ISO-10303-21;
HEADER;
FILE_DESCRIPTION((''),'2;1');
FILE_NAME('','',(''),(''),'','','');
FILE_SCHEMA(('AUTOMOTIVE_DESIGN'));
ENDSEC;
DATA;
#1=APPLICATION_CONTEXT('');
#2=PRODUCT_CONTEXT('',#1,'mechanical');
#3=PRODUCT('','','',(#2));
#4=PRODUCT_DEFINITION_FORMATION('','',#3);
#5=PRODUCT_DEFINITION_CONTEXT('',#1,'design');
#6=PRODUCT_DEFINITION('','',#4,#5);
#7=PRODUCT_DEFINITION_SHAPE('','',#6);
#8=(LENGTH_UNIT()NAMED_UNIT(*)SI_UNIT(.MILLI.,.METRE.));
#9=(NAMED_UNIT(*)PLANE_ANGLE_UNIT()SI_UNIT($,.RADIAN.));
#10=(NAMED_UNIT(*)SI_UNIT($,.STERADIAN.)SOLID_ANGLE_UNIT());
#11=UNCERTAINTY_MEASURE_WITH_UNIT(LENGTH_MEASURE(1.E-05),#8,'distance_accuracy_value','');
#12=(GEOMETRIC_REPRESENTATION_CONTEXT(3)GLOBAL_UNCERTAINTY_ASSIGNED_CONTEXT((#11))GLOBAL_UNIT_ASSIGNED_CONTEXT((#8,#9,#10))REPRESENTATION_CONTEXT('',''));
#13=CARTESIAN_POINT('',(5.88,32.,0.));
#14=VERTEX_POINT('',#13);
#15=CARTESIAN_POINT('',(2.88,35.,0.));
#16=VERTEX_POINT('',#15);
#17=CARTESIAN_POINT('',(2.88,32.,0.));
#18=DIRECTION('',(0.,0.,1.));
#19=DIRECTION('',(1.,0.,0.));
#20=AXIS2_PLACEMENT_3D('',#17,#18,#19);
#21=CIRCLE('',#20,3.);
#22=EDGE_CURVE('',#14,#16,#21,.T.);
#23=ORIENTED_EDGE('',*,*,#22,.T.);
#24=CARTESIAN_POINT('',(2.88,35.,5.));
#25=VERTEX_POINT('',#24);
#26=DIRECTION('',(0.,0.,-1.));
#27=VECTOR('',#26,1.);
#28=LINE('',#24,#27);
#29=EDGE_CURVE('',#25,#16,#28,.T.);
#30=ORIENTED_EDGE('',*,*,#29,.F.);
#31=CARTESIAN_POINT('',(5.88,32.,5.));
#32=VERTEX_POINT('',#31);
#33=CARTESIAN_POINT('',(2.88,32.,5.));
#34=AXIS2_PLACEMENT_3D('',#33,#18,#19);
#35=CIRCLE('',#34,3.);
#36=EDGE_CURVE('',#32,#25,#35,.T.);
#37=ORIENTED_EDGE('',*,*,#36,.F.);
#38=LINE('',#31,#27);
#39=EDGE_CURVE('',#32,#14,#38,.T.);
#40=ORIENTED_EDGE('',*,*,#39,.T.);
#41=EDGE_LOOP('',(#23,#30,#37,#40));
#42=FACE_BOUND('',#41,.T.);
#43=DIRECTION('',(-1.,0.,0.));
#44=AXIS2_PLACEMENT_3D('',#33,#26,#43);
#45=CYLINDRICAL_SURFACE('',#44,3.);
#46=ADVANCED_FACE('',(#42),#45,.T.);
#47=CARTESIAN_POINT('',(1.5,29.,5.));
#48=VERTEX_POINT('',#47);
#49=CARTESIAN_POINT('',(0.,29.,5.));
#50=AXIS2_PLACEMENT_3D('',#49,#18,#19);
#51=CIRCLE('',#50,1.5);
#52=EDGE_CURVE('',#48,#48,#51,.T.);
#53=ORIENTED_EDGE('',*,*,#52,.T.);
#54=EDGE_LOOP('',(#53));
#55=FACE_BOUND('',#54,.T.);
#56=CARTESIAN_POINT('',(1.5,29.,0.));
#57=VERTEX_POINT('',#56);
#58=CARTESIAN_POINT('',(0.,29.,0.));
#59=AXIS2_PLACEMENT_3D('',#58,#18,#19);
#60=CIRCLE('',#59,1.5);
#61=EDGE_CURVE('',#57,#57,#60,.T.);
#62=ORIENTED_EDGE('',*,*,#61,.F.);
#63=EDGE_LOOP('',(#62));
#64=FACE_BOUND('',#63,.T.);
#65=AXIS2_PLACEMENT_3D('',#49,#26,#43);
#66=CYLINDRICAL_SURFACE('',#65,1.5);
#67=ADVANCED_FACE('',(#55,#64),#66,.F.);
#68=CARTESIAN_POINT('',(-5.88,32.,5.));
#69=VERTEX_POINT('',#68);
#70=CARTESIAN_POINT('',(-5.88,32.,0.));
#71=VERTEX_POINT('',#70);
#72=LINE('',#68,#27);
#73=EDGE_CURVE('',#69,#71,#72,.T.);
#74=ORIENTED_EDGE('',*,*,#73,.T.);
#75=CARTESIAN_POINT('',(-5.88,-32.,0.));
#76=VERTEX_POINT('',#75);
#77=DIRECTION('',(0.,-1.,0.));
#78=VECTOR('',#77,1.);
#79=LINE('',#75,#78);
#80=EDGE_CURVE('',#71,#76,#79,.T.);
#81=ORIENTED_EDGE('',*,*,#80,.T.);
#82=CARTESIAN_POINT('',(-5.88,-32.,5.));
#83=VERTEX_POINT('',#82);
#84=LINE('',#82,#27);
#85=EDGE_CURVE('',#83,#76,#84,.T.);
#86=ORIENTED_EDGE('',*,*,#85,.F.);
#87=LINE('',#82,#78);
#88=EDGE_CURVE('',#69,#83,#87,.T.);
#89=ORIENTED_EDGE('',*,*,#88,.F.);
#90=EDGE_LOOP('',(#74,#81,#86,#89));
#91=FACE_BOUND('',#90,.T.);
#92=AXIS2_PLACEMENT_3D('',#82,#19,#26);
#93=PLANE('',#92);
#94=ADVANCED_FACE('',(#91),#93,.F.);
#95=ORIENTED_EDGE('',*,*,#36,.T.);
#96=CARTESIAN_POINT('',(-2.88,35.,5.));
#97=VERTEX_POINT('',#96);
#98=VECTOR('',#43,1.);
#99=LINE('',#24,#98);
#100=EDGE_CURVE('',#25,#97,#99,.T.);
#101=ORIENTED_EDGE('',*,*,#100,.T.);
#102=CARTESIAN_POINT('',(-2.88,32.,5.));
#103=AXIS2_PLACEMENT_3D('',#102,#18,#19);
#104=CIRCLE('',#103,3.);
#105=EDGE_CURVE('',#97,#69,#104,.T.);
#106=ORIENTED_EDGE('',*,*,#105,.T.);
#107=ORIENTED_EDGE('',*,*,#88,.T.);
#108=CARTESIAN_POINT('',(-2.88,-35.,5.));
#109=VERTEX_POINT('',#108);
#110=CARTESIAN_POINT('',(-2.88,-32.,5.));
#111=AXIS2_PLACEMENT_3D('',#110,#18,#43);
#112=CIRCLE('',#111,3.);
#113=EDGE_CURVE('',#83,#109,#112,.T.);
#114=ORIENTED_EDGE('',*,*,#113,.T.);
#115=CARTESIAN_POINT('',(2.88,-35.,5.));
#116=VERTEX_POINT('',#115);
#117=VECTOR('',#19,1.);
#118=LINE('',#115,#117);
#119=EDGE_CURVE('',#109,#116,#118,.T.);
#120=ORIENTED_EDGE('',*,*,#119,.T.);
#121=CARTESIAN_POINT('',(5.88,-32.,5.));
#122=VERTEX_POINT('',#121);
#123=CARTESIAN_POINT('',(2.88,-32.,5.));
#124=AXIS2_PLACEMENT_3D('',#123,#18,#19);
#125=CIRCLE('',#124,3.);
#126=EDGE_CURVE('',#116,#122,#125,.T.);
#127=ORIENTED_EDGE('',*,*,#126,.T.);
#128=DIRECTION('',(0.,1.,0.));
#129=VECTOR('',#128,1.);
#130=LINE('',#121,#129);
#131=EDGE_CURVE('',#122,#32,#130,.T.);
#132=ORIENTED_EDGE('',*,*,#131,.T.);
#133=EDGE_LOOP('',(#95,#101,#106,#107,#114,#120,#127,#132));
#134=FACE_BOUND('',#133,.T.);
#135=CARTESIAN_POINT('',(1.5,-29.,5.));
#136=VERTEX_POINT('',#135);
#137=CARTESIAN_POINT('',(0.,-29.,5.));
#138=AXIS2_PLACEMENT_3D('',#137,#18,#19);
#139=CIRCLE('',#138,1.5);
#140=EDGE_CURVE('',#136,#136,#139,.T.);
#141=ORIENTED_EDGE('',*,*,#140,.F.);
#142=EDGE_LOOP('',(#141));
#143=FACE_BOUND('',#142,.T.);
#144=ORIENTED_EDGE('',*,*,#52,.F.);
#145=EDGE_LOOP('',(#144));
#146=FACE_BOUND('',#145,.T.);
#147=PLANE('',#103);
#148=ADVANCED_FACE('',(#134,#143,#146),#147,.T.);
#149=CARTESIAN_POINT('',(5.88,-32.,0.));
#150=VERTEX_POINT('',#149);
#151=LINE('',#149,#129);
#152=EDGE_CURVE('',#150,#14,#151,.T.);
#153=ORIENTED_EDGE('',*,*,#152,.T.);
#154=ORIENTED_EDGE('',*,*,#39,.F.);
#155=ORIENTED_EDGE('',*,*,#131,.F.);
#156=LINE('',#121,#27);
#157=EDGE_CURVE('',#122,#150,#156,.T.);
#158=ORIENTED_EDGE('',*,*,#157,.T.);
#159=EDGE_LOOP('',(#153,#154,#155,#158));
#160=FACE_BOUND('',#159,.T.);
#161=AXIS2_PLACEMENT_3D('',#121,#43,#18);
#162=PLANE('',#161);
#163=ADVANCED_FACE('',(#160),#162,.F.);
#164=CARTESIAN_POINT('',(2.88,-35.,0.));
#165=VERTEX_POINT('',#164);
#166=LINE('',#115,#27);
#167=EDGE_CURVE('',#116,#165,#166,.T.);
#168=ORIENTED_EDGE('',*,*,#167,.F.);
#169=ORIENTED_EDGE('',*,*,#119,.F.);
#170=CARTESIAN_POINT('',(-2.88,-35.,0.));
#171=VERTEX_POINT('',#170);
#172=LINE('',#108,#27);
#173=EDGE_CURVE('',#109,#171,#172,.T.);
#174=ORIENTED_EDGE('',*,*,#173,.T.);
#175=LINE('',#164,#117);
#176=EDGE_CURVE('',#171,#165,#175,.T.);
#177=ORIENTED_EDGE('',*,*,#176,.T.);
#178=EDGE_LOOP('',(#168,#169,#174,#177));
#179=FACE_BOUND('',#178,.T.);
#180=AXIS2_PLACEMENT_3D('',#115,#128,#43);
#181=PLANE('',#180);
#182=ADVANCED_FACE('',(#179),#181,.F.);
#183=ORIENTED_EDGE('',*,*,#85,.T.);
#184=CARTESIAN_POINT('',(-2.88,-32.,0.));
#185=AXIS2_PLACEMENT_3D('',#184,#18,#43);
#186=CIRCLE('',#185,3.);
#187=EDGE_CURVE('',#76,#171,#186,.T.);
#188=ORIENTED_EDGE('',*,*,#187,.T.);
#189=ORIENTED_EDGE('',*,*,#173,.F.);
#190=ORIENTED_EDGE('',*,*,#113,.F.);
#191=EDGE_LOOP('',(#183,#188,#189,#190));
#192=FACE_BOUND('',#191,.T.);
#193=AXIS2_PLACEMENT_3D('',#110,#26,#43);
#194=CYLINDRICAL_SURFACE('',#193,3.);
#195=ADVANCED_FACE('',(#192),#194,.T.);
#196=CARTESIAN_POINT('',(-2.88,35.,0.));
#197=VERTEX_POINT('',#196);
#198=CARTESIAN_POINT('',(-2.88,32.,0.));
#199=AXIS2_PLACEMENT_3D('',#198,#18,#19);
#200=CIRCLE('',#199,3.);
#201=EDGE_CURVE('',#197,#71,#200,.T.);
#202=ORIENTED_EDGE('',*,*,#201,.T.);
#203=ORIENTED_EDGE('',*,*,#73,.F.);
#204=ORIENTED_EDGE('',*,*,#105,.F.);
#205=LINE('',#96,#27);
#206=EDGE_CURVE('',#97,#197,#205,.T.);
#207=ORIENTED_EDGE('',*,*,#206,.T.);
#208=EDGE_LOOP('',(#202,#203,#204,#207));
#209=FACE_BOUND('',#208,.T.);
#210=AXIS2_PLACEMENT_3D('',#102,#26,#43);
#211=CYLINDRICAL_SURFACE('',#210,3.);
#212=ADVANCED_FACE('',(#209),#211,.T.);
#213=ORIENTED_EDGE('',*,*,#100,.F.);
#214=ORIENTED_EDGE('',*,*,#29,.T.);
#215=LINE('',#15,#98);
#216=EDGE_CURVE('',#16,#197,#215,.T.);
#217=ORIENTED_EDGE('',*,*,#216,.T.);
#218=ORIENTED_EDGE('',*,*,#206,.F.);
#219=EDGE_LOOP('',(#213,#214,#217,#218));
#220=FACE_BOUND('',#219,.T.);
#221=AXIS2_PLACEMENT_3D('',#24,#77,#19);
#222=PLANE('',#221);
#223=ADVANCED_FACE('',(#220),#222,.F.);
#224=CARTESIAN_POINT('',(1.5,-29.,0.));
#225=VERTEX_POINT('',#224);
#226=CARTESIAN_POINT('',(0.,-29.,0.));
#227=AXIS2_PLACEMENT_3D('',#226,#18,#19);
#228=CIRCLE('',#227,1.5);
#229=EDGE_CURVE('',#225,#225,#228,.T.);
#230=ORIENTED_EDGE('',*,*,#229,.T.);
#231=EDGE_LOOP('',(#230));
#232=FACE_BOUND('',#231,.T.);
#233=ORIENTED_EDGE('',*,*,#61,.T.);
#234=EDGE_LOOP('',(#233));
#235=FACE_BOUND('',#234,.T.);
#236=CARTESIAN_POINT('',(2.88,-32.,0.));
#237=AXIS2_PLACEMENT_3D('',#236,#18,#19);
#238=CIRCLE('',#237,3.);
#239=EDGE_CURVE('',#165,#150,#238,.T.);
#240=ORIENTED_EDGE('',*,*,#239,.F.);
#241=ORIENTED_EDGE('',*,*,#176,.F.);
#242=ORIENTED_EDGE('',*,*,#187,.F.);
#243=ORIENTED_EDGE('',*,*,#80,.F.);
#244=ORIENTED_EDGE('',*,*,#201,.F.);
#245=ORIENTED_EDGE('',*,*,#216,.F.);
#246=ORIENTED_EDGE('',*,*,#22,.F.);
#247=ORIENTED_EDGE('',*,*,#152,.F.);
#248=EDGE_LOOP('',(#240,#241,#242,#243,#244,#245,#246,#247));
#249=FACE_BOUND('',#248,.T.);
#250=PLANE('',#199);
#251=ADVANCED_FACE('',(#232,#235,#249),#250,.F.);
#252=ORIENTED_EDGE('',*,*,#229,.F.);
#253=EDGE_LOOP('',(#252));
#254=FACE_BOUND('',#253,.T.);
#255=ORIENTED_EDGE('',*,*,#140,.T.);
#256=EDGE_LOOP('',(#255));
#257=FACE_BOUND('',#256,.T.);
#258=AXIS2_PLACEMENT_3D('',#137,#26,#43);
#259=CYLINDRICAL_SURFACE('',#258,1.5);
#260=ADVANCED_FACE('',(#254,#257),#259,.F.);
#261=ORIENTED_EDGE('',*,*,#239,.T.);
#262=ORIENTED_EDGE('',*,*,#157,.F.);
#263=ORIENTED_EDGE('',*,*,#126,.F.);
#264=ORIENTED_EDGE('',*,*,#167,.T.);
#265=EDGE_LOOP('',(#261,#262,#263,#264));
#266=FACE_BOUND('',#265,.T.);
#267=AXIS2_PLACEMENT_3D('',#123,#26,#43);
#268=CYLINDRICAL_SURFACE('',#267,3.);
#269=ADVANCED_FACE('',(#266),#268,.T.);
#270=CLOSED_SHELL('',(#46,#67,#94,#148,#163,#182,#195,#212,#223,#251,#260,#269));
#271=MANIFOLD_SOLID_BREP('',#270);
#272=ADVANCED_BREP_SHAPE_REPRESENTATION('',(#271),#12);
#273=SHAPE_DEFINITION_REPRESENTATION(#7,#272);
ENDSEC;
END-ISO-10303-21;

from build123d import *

# Parameters (mm, degrees)
SKETCH1_R           = 1.5
BOSS_EXTRUDE1_DEPTH = 5


with BuildPart() as part:
    # Sketch1 → Boss-Extrude1 (new body)
    with BuildSketch(Plane.XY):
        with BuildLine():
            Line((2.88, -35), (-2.88, -35))
            ThreePointArc((-2.88, -35), (-5.001320344, -34.121320344), (-5.88, -32))
            Line((-5.88, -32), (-5.88, 32))
            ThreePointArc((-5.88, 32), (-5.001320344, 34.121320344), (-2.88, 35))
            Line((-2.88, 35), (2.88, 35))
            ThreePointArc((2.88, 35), (5.001320344, 34.121320344), (5.88, 32))
            Line((5.88, 32), (5.88, -32))
            ThreePointArc((5.88, -32), (5.001320344, -34.121320344), (2.88, -35))
        make_face()
        with Locations((0, -29)):
            Circle(SKETCH1_R, mode=Mode.SUBTRACT)
        with Locations((0, 29)):
            Circle(SKETCH1_R, mode=Mode.SUBTRACT)
    extrude(amount=BOSS_EXTRUDE1_DEPTH)


solid = part.part
